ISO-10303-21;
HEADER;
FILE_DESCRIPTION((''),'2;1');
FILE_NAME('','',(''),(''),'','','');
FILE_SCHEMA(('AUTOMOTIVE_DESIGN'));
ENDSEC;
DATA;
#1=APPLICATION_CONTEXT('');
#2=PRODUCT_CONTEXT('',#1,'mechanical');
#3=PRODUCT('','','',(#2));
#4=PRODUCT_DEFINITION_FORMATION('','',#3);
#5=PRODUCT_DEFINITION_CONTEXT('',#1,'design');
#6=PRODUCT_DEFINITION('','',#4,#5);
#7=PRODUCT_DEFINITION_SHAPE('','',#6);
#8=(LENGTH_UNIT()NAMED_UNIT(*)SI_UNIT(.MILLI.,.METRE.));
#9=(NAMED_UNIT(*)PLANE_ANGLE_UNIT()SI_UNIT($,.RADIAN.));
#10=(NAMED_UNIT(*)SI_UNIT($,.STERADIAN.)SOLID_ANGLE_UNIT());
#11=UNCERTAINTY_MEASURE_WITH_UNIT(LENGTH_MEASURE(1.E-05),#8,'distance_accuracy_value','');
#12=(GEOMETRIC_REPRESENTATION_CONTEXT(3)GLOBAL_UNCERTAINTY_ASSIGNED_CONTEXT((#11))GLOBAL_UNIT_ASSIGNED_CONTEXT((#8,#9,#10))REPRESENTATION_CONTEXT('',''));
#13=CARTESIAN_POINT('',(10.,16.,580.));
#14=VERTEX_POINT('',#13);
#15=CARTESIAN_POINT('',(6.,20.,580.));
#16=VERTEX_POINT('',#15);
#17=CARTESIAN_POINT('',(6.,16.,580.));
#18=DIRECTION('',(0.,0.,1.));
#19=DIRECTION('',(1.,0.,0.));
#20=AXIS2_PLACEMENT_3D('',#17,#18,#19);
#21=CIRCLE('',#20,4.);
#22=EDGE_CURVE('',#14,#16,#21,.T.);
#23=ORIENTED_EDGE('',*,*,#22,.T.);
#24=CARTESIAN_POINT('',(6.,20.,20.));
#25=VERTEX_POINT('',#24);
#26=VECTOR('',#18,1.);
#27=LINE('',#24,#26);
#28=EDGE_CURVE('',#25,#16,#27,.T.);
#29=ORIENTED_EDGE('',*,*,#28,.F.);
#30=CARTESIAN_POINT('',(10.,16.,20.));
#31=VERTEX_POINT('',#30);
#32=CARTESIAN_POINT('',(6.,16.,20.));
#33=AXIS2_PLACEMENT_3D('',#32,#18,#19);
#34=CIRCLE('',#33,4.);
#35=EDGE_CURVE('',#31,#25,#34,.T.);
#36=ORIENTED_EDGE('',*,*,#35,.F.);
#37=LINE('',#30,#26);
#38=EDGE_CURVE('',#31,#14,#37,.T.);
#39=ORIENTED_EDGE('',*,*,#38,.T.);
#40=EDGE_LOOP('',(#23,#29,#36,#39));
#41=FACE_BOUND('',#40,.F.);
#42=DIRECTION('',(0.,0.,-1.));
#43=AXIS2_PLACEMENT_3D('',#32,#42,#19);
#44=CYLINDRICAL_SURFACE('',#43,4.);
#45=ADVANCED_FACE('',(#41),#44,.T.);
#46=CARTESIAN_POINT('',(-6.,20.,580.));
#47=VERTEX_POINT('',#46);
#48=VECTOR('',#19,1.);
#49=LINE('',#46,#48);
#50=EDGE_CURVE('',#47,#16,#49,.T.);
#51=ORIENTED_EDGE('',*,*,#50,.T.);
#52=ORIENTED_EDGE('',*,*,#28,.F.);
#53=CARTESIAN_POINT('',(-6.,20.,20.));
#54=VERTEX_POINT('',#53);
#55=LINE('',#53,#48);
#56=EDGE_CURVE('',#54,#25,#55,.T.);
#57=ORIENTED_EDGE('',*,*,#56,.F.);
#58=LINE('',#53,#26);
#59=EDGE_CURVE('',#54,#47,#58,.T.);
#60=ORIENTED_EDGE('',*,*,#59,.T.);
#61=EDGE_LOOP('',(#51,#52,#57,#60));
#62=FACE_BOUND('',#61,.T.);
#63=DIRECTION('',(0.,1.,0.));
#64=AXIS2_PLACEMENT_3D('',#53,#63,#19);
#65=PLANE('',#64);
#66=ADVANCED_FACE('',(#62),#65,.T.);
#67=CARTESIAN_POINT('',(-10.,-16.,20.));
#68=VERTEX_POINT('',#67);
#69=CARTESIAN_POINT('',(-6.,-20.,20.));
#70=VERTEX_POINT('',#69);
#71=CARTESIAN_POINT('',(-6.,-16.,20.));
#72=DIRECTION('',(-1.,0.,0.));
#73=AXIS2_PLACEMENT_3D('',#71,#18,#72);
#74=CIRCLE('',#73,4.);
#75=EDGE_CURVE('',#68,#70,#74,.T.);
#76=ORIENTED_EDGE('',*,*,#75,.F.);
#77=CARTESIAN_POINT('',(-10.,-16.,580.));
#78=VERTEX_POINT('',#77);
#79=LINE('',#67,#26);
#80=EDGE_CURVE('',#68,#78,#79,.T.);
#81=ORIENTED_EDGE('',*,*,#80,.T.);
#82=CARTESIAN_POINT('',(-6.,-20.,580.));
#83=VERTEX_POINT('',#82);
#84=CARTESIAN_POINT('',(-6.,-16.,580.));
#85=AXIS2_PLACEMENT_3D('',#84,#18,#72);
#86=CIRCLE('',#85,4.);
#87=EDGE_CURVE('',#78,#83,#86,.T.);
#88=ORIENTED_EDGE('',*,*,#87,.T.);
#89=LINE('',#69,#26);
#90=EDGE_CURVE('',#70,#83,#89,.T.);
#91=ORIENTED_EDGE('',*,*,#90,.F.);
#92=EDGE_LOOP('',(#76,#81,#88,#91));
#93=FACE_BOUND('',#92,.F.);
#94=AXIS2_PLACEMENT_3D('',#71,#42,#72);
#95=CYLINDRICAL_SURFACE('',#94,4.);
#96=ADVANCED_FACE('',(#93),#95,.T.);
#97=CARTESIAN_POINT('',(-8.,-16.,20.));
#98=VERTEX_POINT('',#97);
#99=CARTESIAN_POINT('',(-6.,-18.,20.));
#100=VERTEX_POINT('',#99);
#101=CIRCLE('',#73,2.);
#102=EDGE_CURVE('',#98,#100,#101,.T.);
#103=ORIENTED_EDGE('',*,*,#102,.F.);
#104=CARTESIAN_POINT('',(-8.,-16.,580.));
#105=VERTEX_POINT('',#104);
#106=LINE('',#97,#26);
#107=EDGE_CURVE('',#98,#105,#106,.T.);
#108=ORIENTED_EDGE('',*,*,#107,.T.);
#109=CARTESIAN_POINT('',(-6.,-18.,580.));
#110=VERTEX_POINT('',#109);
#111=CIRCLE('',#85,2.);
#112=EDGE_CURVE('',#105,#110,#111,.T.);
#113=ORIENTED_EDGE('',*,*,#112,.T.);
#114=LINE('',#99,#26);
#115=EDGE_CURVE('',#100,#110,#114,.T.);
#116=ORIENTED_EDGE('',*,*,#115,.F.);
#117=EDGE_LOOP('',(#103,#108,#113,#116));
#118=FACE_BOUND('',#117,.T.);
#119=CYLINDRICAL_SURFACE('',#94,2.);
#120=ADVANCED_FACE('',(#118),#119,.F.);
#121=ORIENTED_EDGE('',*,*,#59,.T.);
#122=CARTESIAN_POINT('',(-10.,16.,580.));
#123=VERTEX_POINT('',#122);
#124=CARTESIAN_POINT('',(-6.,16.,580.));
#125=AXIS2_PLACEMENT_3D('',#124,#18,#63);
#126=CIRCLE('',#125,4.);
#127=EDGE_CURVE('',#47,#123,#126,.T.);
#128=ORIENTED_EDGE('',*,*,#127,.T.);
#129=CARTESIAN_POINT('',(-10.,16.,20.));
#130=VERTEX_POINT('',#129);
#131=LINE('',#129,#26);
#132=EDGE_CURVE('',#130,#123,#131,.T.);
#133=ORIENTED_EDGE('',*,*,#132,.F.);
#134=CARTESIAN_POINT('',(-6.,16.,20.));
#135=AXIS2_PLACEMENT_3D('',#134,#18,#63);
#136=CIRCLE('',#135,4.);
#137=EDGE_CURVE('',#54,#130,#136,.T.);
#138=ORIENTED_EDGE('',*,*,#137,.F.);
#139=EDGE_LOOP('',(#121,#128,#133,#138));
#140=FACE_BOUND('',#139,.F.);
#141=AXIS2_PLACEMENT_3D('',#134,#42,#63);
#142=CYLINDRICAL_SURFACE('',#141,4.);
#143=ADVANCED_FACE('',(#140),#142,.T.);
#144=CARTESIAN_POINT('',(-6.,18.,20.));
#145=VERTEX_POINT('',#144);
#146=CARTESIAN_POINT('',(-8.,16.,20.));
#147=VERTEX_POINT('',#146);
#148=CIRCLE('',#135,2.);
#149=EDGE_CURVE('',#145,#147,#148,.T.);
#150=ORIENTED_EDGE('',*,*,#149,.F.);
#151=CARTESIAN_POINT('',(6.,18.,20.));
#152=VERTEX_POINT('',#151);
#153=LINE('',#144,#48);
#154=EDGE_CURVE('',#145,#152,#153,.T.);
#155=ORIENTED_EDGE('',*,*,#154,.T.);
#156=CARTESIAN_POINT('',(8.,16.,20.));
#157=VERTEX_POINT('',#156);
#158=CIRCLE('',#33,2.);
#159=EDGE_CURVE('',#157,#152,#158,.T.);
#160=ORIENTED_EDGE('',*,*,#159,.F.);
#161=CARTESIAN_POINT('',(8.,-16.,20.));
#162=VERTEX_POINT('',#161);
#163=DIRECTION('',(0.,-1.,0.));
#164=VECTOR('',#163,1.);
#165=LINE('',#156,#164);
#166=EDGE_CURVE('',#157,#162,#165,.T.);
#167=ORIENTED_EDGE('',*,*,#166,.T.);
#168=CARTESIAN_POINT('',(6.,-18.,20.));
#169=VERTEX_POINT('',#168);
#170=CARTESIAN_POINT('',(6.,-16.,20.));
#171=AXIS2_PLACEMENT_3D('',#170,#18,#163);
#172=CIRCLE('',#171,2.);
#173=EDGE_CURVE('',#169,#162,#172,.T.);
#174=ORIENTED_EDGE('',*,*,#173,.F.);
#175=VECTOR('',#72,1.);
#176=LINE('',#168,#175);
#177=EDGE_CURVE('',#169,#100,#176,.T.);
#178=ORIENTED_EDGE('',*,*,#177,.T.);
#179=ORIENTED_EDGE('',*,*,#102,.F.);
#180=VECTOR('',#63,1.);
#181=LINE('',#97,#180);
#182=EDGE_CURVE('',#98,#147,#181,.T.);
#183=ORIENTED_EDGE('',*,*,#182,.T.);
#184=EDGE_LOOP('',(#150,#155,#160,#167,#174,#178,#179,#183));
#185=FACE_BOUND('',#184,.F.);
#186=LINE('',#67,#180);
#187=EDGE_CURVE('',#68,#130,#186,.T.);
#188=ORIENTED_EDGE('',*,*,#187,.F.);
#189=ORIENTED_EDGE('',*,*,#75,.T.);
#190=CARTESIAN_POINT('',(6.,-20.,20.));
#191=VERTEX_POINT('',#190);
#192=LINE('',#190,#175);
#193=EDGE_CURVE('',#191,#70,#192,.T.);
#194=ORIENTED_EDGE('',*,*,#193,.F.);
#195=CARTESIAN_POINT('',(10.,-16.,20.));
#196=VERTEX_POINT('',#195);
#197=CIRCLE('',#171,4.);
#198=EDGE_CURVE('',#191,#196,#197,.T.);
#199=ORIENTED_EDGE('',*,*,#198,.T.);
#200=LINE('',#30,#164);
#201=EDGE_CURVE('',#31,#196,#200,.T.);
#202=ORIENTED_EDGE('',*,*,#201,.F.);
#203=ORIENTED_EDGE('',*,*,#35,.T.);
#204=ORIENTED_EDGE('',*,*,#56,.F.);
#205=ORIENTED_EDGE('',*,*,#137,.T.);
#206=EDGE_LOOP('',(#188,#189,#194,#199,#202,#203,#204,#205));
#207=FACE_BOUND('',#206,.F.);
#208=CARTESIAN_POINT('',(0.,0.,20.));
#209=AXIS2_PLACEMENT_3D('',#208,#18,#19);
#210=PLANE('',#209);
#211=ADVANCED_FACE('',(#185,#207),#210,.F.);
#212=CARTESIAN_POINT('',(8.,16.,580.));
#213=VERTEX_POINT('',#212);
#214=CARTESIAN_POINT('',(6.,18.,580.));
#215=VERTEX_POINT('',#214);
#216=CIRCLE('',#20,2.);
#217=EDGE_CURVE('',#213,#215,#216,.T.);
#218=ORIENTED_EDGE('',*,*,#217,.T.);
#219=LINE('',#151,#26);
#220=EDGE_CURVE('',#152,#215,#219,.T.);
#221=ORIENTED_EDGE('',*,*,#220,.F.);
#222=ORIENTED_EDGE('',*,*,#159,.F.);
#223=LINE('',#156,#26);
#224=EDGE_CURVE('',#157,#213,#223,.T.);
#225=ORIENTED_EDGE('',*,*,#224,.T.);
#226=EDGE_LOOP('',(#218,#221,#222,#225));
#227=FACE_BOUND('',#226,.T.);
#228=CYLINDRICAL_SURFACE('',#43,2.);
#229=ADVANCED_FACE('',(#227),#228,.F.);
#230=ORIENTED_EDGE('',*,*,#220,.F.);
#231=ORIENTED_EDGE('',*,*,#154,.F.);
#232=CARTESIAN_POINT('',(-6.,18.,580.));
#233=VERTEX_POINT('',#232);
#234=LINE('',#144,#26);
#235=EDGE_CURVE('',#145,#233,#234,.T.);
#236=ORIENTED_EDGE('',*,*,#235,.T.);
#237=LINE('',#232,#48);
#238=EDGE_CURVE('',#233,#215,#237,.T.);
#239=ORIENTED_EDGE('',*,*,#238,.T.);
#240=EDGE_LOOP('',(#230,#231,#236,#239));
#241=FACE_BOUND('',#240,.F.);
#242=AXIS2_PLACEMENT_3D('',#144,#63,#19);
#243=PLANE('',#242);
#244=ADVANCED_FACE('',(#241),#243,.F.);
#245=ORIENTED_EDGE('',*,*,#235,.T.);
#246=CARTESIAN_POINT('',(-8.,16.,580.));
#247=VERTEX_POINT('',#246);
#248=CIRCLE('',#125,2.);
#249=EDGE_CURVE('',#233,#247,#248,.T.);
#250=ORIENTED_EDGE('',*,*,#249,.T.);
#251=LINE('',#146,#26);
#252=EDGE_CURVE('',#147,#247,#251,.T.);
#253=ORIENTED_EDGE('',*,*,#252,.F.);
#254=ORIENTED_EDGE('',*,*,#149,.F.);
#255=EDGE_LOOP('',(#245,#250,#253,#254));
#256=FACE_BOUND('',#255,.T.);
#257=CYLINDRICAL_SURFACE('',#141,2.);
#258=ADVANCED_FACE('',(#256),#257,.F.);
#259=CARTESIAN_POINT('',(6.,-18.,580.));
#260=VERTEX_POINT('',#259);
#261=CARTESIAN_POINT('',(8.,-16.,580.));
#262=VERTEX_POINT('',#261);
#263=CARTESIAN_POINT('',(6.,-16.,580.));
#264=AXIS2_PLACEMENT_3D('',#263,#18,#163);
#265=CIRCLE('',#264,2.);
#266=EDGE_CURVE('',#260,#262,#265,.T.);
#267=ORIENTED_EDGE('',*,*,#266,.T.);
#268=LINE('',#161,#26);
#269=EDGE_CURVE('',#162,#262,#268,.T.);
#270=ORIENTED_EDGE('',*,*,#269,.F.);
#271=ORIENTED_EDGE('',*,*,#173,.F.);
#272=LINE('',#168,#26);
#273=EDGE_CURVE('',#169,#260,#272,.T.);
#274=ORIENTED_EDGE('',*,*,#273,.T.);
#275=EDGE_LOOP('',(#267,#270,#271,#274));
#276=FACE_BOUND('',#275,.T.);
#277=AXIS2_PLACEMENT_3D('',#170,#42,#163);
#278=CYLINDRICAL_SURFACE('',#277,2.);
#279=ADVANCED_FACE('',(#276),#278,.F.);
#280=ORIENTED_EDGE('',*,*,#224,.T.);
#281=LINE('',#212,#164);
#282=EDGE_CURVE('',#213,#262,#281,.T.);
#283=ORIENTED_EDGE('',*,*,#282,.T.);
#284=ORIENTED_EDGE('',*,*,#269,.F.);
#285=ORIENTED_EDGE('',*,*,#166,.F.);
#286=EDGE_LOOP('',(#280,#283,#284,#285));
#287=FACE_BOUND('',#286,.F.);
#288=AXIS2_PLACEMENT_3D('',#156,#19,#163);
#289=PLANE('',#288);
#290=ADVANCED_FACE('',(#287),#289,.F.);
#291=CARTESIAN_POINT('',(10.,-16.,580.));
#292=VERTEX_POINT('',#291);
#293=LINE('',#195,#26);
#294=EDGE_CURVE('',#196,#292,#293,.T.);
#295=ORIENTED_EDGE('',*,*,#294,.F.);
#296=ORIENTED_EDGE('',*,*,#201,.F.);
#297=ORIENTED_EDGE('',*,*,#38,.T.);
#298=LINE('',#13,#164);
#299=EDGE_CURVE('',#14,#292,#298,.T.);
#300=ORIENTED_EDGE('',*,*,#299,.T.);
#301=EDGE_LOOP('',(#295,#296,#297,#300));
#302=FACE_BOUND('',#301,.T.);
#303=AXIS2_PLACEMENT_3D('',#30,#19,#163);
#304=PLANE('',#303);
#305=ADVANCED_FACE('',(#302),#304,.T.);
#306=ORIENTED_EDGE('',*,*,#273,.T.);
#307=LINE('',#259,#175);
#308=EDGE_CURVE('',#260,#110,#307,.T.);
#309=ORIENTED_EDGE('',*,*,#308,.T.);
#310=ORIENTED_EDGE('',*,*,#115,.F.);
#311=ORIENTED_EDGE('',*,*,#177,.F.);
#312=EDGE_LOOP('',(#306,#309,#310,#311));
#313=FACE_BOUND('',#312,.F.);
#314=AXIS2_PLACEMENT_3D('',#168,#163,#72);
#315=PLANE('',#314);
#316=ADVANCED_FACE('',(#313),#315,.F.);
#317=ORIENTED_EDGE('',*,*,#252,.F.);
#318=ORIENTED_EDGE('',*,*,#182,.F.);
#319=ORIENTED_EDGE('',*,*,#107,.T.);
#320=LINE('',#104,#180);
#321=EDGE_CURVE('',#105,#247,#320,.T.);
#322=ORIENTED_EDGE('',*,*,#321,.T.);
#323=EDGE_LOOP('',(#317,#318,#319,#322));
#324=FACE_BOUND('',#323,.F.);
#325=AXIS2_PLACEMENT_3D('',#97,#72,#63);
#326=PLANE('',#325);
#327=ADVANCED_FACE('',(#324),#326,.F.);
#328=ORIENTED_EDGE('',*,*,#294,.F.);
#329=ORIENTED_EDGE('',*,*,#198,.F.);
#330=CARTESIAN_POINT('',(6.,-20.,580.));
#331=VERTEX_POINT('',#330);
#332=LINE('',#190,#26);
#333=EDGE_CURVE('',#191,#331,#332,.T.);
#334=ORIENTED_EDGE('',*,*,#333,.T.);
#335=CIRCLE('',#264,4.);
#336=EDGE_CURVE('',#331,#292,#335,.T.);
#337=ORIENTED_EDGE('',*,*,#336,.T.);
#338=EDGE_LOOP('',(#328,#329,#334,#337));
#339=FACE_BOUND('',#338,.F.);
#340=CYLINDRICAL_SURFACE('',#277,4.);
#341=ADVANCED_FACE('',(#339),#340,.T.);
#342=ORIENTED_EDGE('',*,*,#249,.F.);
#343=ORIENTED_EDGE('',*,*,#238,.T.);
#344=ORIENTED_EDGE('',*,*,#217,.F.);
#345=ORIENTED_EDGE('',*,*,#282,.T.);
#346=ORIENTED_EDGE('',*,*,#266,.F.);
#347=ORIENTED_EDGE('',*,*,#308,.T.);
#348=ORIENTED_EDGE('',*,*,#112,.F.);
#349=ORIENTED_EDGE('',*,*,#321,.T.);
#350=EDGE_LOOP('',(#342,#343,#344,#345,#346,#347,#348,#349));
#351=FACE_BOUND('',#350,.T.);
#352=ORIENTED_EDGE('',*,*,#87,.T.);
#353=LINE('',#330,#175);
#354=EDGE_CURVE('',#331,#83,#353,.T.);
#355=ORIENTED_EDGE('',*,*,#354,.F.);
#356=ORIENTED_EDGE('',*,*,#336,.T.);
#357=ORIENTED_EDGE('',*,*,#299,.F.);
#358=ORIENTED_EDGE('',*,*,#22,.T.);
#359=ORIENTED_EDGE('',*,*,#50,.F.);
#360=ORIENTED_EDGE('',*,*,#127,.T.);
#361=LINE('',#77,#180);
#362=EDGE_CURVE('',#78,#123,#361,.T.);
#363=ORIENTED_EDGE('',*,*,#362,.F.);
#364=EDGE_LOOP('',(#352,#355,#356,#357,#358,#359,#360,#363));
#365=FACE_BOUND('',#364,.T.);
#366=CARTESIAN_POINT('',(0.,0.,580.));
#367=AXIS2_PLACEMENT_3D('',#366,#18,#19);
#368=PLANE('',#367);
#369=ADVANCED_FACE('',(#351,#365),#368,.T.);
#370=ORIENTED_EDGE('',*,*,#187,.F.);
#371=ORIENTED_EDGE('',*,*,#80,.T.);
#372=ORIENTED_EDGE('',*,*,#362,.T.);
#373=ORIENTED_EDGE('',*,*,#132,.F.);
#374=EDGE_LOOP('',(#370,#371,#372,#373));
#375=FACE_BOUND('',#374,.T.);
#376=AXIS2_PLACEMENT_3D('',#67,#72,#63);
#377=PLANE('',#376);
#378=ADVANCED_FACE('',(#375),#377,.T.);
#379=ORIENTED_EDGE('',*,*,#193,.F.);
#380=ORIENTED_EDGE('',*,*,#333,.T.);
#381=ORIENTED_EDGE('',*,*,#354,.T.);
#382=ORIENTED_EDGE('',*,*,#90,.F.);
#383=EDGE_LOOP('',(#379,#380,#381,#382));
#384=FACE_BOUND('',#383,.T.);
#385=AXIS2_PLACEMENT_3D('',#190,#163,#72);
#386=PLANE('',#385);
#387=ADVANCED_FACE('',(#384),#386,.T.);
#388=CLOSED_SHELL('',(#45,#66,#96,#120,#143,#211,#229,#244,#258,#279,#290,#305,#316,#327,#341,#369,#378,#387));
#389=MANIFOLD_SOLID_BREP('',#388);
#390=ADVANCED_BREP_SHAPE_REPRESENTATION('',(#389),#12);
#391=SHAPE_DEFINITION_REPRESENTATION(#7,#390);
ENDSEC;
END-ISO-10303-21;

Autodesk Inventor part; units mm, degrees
ref_plane "Start Plane" through (0, 0, 20) normal (0, 0, 1) x (1, 0, 0)
ref_plane "End Plane" through (0, 0, 580) normal (0, 0, 1) x (1, 0, 0)
sketch "Sketch" plane through (0, 0, 0) normal (0, 0, 1) x (1, 0, 0)
  line L0 (-10, -16) -> (-10, 16)
  line L1 (-6, 20) -> (6, 20)
  line L2 (10, 16) -> (10, -16)
  line L3 (6, -20) -> (-6, -20)
  arc A0 (-10, -16) -> (-6, -20) centre (-6, -16) ccw
  arc A1 (10, 16) -> (6, 20) centre (6, 16) ccw
  arc A2 (-6, 20) -> (-10, 16) centre (-6, 16) ccw
  arc A3 (6, -20) -> (10, -16) centre (6, -16) ccw
  arc A4 (-6, 18) -> (-8, 16) centre (-6, 16) ccw
  line L4 (-6, 18) -> (6, 18)
  arc A5 (8, 16) -> (6, 18) centre (6, 16) ccw
  line L5 (8, 16) -> (8, -16)
  arc A6 (6, -18) -> (8, -16) centre (6, -16) ccw
  line L6 (6, -18) -> (-6, -18)
  arc A7 (-8, -16) -> (-6, -18) centre (-6, -16) ccw
  line L7 (-8, -16) -> (-8, 16)
  line L8 (0, 29.1598) -> (0, -29.1598) construction
  line L9 (-15.1598, 0) -> (15.1598, 0) construction
  dimension "d7" = 4
  dimension "d9" = 20
  dimension "d11" = 40
  dimension "d12" = 2
  dimension "d15" = 10
  dimension "d16" = 20
extrude "Body" add sketch "Sketch" along normal up to surface (560 mm away) from surface at 20
sketch "Sketch3" plane through (0, 0, 0) normal (0, 0, 1) x (1, 0, 0)
  line L0 (0, 0) -> (10, 0)
ref_plane "Work Plane3" through (0, 0, 0) normal (0, -1, 0) x (1, 0, 0)
ref_plane "Work Plane4" through (480, 16, 20) normal (0, 0, -1) x (-1, 0, 0)
split "Split1" plane through (480, 16, 20) removes the side toward (0, 0, -1)
ref_plane "Work Plane5" through (390, -16, 580) normal (0, 0, 1) x (1, 0, 0)
split "Split2" plane through (390, -16, 580) removes the side toward (0, 0, 1)
sketch "Sketch4" plane through (0, 0, 0) normal (0, -1, 0) x (1, 0, 0)
  line L0 (-2, 20) -> (12, 20) projected
  line L1 (-2, 580) -> (12, 580) projected
  dimension "d18" = 560
equation "\"d7\" = G_IR"
equation "\"d9\" = G_W"
equation "\"d11\" = G_H"
equation "\"d12\" = G_T"
equation "\"d15\" = 0.5 * d9"
equation "\"d16\" = 0.5 * d11"
equation "\"d3\" = G_L"
equation "\"G_W\" = 20"
equation "\"G_H\" = 40"
equation "\"G_T\" = 2"
equation "\"G_IR\" = 4"
equation "\"G_L\" = d18"
properties part number "ISO 10799-2 - 40x20x2 - 560" material "Steel, Mild"
